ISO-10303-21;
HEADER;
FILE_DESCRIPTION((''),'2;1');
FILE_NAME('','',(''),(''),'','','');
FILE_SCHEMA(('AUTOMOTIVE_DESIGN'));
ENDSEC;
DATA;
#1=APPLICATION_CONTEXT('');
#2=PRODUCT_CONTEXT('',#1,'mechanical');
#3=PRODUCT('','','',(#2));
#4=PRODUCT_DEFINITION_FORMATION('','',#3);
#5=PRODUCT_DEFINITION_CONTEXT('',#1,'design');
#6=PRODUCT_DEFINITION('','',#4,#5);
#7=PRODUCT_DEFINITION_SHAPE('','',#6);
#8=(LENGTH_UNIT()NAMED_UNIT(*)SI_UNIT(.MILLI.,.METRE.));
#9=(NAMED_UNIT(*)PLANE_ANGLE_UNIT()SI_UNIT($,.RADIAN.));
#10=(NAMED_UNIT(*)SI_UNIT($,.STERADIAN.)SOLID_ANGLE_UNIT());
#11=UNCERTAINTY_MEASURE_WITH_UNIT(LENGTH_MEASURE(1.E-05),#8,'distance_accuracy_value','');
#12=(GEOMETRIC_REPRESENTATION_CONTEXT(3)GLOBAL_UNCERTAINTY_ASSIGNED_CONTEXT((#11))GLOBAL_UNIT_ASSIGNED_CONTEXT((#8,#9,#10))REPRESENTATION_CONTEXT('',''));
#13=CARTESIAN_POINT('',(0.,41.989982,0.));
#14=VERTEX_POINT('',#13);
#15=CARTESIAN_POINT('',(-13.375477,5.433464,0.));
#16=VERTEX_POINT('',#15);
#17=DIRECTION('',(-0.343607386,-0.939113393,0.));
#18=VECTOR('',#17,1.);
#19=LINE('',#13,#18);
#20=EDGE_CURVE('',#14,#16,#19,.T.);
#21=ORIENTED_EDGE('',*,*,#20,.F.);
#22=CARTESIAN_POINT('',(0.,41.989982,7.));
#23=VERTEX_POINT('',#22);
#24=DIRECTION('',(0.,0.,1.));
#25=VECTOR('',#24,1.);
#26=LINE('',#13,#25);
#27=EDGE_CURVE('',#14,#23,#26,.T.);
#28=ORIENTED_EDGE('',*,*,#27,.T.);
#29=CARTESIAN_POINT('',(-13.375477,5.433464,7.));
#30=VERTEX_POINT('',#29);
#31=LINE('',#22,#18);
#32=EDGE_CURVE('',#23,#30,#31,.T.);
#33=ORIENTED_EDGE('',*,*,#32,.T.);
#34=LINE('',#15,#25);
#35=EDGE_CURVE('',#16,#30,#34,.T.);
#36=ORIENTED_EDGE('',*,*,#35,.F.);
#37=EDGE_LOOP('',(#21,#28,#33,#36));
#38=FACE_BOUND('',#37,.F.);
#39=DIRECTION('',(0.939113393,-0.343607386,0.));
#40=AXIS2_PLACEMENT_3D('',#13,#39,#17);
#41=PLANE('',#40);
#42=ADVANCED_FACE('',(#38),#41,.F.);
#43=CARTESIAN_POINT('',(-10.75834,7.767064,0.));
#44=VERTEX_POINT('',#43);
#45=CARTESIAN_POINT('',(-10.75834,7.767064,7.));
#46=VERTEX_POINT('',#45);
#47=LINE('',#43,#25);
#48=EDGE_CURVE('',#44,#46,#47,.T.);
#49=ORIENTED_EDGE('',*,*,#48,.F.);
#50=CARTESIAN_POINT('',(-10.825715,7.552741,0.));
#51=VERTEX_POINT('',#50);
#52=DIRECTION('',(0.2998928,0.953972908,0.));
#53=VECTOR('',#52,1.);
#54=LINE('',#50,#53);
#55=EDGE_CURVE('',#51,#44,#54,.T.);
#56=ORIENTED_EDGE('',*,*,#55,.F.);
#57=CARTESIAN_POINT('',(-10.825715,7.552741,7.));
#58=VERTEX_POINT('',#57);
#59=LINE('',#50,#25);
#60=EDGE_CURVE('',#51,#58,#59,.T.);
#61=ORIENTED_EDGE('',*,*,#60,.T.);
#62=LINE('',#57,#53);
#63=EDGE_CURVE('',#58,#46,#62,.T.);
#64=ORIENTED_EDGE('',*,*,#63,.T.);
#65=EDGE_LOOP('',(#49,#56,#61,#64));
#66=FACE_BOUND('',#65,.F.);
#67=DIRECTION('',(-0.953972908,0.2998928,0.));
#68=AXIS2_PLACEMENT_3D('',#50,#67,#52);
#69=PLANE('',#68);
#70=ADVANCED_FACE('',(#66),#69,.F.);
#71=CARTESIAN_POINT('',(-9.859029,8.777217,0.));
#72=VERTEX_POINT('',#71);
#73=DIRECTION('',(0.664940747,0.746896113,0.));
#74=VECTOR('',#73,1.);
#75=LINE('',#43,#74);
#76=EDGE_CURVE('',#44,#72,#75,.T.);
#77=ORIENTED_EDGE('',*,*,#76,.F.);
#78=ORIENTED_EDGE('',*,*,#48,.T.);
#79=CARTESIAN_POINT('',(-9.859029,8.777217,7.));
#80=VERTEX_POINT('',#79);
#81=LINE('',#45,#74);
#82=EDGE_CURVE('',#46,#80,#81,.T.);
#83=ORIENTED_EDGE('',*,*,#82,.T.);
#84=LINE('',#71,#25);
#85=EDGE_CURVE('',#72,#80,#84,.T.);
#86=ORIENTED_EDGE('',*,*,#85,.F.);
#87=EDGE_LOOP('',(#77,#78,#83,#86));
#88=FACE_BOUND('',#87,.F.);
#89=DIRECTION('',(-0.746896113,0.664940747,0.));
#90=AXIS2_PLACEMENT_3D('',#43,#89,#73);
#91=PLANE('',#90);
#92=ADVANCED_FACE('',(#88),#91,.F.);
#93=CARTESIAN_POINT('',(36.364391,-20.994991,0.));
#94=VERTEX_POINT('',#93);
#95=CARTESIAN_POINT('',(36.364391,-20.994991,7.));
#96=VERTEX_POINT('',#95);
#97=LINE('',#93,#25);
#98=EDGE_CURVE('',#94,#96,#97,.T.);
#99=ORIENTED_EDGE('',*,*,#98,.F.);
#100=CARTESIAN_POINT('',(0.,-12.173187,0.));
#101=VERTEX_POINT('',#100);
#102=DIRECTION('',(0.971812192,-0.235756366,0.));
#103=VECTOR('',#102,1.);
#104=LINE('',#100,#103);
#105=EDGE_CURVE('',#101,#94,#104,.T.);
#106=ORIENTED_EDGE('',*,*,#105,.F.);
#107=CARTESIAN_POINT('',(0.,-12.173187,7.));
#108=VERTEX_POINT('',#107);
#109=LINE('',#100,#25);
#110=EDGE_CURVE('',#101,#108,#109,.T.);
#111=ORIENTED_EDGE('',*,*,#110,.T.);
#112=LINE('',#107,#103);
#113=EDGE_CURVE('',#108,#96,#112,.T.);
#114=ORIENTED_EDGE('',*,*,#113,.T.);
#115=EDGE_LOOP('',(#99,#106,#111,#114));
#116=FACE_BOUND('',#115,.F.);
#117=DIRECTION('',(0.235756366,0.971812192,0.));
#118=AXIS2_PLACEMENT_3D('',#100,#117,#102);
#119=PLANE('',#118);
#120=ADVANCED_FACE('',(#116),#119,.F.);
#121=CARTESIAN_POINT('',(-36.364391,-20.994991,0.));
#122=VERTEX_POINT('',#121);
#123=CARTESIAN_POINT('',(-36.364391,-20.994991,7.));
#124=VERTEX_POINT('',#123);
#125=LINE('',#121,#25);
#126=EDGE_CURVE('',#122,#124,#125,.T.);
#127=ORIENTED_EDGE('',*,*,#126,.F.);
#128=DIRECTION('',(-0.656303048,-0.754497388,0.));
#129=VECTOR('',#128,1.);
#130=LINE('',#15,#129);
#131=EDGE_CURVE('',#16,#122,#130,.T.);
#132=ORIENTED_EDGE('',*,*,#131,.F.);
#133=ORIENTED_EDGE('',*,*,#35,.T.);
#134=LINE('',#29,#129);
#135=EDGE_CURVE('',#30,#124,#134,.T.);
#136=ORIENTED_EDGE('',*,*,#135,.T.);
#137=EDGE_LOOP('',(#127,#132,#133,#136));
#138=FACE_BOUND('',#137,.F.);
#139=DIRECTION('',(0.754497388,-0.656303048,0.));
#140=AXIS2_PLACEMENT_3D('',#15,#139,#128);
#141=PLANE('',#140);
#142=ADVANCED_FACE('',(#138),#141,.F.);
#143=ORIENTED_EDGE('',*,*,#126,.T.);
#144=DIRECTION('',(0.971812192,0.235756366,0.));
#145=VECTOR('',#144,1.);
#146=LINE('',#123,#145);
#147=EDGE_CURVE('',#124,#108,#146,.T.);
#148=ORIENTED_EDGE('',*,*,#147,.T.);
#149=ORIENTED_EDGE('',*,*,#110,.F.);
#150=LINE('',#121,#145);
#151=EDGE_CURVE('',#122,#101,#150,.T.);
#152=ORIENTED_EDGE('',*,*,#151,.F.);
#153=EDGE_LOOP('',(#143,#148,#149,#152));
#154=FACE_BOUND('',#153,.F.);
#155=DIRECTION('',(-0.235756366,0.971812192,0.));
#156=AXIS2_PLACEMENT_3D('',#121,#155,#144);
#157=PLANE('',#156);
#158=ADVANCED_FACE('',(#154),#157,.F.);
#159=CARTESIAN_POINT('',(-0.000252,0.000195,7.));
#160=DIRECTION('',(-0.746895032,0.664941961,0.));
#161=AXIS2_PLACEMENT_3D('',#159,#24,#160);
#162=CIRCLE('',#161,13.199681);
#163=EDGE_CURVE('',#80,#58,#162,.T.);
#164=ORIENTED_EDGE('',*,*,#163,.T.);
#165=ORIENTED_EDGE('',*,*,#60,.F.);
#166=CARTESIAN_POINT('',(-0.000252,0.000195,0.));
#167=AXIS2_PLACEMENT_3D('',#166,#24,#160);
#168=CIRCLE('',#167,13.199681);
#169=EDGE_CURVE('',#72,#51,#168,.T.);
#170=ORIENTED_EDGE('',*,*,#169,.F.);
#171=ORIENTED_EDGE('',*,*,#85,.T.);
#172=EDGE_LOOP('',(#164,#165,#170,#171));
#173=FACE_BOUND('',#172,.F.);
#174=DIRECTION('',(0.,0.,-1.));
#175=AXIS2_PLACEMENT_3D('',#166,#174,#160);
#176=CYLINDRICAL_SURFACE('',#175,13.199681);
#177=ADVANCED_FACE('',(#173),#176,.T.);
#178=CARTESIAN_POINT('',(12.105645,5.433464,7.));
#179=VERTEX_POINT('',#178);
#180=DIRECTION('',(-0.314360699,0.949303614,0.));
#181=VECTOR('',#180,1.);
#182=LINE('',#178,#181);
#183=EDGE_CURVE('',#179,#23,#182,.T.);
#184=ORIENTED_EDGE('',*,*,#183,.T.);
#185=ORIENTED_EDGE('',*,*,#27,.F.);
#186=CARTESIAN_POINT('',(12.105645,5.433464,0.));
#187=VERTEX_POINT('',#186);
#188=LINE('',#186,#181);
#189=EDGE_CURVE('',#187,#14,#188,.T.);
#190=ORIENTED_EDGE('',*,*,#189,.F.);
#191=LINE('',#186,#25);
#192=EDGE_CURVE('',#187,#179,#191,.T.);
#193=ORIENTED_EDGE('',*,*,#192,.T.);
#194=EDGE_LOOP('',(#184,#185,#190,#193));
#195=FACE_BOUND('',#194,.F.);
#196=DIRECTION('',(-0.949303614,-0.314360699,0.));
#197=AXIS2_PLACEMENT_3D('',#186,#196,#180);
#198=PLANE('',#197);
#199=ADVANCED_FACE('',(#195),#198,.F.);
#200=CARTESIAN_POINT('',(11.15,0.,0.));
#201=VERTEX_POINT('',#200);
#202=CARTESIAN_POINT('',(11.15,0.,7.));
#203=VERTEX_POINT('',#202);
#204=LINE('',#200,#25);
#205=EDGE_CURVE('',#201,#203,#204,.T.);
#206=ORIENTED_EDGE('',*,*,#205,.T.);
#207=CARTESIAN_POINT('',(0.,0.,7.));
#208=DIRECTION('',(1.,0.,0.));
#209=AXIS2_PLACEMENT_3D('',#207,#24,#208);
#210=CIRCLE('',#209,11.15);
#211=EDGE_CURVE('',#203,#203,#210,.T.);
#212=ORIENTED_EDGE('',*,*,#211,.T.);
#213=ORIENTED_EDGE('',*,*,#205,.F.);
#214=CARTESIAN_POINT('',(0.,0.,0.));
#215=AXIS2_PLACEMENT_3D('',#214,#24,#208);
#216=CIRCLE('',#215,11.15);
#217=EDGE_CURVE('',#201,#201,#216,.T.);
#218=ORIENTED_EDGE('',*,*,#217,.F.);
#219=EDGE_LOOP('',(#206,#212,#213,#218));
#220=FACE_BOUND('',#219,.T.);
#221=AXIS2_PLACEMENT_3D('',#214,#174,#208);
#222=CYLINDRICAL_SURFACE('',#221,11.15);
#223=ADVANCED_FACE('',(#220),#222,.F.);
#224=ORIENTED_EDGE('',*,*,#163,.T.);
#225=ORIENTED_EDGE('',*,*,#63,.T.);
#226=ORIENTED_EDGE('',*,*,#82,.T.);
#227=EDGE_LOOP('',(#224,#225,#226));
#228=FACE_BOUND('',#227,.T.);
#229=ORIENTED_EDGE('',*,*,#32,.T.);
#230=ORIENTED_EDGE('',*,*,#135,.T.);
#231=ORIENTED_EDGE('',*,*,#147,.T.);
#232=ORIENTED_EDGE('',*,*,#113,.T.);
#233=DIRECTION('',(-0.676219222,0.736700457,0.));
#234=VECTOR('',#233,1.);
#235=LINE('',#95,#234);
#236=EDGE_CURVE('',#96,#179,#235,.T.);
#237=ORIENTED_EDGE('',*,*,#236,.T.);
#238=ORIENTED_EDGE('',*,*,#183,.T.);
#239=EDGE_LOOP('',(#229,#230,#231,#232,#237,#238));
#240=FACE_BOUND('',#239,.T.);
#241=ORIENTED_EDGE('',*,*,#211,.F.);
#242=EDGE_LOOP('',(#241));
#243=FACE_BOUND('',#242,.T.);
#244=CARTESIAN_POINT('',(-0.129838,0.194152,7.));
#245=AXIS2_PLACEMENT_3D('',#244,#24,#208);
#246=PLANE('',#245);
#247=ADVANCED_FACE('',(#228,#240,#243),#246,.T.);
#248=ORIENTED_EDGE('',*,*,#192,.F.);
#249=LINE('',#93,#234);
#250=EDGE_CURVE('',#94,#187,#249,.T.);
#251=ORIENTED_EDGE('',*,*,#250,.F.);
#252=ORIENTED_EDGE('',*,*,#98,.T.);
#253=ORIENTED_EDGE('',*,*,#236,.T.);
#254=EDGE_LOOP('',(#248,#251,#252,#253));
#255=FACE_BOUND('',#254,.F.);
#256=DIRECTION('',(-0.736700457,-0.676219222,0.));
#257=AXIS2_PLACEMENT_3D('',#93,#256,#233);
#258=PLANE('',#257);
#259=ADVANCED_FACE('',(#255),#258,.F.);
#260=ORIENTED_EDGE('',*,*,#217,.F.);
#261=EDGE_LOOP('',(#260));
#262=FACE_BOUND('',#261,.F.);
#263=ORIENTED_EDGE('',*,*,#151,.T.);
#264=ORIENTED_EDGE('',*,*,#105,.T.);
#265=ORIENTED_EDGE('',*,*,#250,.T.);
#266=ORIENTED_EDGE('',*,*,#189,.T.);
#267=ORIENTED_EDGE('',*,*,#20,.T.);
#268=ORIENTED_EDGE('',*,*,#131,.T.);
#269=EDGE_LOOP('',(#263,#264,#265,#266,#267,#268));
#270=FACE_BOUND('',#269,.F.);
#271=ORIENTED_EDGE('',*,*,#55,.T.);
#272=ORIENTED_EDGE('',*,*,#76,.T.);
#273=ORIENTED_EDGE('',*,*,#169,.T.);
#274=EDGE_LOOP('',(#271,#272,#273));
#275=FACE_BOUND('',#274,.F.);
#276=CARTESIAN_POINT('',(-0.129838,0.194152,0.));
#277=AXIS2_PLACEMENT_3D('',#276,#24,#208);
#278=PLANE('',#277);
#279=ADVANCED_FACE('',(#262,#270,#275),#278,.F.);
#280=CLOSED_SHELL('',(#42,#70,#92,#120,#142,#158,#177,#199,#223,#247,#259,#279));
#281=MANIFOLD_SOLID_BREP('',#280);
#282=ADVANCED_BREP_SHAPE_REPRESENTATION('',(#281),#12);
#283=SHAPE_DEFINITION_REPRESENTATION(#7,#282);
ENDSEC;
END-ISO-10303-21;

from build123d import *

# Parameters (mm, degrees)
F0_R     = 11.15
F1_DEPTH = 7


with BuildPart() as f1:
    # F0 (on Top) → F1 (new body)
    with BuildSketch(Plane.XY):
        Polygon((12.105645, 5.433464), (0, 41.989982), (-13.375477, 5.433464), (-36.364391, -20.994991), (0, -12.173187), (36.364391, -20.994991), align=None)
        with BuildLine():
            ThreePointArc((-9.859029, 8.777217), (-10.360478, 8.179273), (-10.825715, 7.552741))
            Line((-10.825715, 7.552741), (-10.75834, 7.767064))
            Line((-10.75834, 7.767064), (-9.859029, 8.777217))
        make_face(mode=Mode.SUBTRACT)
        Circle(F0_R, mode=Mode.SUBTRACT)
    extrude(amount=F1_DEPTH)


solid = f1.part
